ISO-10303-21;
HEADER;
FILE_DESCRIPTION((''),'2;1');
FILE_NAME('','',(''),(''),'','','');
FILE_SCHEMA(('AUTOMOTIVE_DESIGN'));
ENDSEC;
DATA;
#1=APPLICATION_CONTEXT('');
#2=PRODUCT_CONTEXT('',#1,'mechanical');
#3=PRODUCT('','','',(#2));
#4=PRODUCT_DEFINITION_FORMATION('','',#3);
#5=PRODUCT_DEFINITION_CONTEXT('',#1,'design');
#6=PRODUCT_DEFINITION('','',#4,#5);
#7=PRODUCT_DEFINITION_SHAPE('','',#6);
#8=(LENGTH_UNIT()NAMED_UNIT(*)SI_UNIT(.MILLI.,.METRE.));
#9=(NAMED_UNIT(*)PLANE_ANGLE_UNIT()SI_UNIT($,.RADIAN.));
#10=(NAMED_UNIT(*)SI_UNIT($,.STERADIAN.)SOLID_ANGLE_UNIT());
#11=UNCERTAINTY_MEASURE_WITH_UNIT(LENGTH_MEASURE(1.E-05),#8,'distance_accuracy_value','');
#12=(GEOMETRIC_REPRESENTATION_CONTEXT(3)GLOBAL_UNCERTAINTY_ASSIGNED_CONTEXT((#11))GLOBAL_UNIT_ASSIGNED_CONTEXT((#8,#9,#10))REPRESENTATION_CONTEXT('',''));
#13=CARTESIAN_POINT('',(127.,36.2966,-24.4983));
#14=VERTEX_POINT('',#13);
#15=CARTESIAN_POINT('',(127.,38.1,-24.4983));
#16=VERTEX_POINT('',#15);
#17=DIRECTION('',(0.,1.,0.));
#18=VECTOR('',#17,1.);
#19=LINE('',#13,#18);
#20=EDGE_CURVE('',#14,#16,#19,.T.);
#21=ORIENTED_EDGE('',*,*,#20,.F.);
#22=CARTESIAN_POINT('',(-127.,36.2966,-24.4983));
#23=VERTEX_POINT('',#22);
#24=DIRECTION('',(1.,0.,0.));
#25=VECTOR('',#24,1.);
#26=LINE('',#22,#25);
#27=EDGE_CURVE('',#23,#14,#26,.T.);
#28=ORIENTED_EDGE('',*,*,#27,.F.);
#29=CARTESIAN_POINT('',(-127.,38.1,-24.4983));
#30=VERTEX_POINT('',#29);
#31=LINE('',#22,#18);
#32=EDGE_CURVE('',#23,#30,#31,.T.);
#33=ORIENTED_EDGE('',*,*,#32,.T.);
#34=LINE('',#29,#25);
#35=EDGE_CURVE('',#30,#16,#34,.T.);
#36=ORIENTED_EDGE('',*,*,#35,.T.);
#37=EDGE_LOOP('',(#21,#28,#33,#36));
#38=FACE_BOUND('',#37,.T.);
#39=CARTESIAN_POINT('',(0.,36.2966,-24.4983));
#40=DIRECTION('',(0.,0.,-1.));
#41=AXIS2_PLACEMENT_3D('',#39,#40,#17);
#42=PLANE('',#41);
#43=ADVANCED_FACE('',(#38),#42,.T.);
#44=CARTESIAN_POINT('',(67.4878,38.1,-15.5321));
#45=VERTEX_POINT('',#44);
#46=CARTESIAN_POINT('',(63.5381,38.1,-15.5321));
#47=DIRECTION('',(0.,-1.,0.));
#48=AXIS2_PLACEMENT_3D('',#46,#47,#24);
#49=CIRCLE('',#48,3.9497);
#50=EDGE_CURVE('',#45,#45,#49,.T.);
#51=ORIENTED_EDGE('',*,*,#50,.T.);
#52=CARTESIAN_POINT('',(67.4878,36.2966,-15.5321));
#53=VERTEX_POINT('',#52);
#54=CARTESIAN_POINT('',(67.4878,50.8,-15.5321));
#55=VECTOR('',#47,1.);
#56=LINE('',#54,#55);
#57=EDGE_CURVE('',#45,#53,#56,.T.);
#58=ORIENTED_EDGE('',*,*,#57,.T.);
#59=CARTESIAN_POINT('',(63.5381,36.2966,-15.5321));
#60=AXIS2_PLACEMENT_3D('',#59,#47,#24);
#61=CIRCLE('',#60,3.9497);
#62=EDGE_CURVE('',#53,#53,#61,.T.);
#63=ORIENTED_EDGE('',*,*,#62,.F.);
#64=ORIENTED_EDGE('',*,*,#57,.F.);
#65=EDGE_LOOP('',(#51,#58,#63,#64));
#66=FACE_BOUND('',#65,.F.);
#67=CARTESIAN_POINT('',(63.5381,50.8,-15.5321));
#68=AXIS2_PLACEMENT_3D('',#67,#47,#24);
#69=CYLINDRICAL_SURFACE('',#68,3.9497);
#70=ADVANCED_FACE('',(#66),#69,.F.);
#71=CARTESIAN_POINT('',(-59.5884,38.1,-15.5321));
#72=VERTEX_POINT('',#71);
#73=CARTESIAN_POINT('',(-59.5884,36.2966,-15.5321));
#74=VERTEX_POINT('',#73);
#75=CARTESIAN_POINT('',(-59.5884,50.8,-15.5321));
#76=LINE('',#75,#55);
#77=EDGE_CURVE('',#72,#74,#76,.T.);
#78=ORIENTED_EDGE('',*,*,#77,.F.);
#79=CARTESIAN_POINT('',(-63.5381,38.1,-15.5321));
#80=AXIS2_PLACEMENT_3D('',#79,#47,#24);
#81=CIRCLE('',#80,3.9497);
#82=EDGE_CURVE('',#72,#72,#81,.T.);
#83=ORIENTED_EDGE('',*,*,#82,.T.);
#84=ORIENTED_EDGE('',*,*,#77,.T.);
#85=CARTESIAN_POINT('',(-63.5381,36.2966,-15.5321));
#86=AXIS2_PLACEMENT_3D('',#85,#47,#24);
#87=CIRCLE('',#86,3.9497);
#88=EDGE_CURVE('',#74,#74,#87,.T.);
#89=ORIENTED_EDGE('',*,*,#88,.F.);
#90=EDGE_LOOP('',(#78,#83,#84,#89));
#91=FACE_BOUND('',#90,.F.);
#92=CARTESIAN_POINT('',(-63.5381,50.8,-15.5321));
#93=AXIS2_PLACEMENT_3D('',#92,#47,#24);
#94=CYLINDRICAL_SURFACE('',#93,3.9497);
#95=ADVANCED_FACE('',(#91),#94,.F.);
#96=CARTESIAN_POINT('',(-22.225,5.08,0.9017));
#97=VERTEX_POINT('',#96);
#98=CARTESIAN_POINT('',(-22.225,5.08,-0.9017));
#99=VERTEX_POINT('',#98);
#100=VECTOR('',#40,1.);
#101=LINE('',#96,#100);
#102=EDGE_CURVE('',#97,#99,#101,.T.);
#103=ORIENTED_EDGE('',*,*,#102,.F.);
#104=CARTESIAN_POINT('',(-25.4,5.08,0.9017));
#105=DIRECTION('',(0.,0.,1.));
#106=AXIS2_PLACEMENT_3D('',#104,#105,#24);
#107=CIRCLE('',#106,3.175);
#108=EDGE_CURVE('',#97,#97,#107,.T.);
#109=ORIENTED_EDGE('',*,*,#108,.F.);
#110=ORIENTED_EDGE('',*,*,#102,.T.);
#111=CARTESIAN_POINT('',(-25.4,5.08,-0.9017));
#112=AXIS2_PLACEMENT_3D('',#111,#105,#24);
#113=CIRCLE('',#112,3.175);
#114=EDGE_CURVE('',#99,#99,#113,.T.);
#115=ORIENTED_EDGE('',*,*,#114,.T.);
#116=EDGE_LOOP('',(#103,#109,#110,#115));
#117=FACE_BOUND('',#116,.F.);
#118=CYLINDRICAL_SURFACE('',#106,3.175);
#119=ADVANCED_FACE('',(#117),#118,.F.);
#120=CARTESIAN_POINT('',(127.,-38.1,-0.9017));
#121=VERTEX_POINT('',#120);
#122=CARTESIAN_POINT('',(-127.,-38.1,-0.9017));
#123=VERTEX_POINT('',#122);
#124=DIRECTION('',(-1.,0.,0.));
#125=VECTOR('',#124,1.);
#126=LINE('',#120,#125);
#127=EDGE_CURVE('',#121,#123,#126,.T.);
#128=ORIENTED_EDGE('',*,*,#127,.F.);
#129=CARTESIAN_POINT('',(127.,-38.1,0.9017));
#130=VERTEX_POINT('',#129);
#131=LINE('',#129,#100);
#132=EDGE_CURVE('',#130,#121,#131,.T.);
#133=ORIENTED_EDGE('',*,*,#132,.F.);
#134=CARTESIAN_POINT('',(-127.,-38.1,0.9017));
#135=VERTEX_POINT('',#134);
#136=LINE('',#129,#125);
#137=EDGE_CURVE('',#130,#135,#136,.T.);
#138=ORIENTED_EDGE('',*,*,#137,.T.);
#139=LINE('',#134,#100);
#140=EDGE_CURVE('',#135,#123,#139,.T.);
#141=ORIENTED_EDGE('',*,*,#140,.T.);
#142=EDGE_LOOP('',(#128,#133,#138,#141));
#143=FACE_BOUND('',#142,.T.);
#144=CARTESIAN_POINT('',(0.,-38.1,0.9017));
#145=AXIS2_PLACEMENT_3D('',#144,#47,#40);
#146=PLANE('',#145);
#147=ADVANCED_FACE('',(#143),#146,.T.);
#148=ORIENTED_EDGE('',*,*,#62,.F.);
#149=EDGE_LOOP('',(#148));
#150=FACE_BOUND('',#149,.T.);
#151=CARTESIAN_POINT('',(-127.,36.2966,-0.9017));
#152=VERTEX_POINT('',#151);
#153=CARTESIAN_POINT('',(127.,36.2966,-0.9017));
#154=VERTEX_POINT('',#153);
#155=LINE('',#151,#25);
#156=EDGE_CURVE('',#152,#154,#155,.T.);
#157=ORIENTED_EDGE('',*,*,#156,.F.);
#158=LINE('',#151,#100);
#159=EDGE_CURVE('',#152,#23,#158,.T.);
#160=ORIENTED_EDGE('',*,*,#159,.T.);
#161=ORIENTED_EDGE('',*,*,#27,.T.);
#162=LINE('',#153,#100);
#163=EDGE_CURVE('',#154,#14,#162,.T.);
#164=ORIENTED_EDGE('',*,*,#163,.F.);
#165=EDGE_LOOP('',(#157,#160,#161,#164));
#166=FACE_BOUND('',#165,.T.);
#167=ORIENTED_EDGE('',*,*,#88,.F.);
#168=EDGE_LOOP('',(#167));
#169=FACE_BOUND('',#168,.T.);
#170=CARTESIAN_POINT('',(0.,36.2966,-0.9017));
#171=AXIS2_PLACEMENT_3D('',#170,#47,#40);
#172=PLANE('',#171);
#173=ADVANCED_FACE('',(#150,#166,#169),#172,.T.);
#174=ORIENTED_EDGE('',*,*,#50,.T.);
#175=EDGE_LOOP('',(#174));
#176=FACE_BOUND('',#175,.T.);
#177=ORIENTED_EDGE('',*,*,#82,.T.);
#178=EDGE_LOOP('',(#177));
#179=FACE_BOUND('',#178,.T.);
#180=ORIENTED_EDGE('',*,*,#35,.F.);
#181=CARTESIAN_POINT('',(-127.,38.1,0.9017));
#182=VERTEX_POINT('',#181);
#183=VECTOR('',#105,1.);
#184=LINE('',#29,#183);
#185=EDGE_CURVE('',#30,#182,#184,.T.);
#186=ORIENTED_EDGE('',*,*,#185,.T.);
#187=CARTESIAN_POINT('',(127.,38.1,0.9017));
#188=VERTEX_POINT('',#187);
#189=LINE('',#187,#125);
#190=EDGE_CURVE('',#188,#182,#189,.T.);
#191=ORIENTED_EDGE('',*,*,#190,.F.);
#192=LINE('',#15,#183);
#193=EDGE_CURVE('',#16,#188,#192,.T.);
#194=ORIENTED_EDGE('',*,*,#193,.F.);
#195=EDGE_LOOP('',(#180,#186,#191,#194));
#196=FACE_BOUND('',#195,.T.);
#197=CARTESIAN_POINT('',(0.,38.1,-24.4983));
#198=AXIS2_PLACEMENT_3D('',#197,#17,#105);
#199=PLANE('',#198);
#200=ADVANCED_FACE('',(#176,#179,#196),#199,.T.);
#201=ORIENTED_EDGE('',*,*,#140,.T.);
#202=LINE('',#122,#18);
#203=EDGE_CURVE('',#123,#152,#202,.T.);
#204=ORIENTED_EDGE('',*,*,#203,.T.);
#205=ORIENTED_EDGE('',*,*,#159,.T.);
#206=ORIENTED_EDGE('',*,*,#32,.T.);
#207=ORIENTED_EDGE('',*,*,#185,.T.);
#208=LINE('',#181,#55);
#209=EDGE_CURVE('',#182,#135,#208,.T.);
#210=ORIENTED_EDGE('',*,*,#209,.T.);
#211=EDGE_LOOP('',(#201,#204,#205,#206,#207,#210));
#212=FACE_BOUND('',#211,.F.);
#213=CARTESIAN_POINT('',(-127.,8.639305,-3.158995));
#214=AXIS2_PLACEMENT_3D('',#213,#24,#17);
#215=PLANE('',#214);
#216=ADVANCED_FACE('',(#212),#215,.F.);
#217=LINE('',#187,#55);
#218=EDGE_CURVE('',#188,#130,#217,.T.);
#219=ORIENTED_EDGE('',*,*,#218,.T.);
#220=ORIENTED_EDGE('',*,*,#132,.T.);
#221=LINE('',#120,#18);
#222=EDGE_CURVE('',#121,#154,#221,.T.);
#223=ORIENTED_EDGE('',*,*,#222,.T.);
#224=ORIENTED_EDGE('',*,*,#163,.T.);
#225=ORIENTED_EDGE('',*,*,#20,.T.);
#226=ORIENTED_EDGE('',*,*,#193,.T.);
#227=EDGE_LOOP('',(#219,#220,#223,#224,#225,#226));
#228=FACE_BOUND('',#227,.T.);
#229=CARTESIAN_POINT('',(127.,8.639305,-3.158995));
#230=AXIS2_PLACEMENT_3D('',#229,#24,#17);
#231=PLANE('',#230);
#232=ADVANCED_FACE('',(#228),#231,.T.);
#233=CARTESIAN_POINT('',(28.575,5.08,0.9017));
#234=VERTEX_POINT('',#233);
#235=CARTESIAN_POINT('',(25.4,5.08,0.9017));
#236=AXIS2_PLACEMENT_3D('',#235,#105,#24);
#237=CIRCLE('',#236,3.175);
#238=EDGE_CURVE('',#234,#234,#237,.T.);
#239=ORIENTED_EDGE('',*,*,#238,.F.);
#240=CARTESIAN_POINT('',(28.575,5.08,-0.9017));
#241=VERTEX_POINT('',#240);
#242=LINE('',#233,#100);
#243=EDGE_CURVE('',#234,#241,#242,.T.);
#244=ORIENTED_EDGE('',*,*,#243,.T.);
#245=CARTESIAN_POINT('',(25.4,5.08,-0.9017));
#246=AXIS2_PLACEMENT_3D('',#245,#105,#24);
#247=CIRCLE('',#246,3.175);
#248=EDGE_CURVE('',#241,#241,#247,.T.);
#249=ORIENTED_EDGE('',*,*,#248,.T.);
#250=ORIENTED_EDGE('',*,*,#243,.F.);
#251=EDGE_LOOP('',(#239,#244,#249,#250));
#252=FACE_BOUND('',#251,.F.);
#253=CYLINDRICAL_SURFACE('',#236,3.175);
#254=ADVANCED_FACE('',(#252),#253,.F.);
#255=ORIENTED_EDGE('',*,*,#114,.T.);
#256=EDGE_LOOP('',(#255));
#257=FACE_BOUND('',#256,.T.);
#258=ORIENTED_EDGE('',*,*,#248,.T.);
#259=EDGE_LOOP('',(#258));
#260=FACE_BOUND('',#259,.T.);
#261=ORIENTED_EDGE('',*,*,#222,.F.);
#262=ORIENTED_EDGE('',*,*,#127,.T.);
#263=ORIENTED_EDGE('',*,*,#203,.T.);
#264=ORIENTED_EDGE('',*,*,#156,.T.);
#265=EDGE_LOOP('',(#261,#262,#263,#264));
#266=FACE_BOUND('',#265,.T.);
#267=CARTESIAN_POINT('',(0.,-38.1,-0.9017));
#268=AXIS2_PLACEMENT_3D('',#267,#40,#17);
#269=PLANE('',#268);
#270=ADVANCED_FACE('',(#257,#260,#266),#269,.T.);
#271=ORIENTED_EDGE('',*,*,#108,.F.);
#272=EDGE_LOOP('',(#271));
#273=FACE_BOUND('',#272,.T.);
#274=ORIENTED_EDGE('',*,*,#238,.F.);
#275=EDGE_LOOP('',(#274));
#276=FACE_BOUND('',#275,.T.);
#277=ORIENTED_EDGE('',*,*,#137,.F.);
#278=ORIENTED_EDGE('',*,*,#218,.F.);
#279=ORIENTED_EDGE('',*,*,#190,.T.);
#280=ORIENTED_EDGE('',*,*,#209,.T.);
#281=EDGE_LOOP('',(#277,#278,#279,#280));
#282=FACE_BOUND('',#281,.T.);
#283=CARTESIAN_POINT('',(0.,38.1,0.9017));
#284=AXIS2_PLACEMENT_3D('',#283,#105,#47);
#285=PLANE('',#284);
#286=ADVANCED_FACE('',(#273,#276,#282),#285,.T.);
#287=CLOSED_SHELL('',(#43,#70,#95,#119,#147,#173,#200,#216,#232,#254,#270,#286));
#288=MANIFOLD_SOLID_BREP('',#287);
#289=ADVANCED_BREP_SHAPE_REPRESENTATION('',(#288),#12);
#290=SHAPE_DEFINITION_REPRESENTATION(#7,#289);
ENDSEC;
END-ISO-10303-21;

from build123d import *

# Parameters (mm, degrees)
F1_DEPTH      = 127
F1_DEPTH_BACK = 127
F2_R          = 3.175
F3_DEPTH      = 25.401
F5_D          = 7.8994
F5_DEPTH      = 12.7


with BuildPart() as f1:
    # F0 (on Right) → F1 (new body, two sides)
    with BuildSketch(Plane.YZ) as f1_sk:
        Polygon((-38.1, -0.9017), (36.2966, -0.9017), (36.2966, -24.4983), (38.1, -24.4983), (38.1, -0.9017), (38.1, 0.9017), (-38.1, 0.9017), align=None)
    extrude(amount=F1_DEPTH)
    extrude(f1_sk.sketch, amount=-F1_DEPTH_BACK)

    # F2 (on face) → F3 (cut, through all)
    with BuildSketch(Plane.XY.offset(0.9017)):
        with Locations((-25.4, 5.08)):
            Circle(F2_R)
        with Locations((25.4, 5.08)):
            Circle(F2_R)
    extrude(amount=-F3_DEPTH, mode=Mode.SUBTRACT)

    # F5
    with Locations(Plane(origin=(0, 38.1, 0), x_dir=(-1, 0, 0), z_dir=(0, 1, 0))):
        with Locations((-63.5381, -15.5321), (63.5381, -15.5321)):
            Hole(F5_D / 2, depth=F5_DEPTH)


solid = f1.part
